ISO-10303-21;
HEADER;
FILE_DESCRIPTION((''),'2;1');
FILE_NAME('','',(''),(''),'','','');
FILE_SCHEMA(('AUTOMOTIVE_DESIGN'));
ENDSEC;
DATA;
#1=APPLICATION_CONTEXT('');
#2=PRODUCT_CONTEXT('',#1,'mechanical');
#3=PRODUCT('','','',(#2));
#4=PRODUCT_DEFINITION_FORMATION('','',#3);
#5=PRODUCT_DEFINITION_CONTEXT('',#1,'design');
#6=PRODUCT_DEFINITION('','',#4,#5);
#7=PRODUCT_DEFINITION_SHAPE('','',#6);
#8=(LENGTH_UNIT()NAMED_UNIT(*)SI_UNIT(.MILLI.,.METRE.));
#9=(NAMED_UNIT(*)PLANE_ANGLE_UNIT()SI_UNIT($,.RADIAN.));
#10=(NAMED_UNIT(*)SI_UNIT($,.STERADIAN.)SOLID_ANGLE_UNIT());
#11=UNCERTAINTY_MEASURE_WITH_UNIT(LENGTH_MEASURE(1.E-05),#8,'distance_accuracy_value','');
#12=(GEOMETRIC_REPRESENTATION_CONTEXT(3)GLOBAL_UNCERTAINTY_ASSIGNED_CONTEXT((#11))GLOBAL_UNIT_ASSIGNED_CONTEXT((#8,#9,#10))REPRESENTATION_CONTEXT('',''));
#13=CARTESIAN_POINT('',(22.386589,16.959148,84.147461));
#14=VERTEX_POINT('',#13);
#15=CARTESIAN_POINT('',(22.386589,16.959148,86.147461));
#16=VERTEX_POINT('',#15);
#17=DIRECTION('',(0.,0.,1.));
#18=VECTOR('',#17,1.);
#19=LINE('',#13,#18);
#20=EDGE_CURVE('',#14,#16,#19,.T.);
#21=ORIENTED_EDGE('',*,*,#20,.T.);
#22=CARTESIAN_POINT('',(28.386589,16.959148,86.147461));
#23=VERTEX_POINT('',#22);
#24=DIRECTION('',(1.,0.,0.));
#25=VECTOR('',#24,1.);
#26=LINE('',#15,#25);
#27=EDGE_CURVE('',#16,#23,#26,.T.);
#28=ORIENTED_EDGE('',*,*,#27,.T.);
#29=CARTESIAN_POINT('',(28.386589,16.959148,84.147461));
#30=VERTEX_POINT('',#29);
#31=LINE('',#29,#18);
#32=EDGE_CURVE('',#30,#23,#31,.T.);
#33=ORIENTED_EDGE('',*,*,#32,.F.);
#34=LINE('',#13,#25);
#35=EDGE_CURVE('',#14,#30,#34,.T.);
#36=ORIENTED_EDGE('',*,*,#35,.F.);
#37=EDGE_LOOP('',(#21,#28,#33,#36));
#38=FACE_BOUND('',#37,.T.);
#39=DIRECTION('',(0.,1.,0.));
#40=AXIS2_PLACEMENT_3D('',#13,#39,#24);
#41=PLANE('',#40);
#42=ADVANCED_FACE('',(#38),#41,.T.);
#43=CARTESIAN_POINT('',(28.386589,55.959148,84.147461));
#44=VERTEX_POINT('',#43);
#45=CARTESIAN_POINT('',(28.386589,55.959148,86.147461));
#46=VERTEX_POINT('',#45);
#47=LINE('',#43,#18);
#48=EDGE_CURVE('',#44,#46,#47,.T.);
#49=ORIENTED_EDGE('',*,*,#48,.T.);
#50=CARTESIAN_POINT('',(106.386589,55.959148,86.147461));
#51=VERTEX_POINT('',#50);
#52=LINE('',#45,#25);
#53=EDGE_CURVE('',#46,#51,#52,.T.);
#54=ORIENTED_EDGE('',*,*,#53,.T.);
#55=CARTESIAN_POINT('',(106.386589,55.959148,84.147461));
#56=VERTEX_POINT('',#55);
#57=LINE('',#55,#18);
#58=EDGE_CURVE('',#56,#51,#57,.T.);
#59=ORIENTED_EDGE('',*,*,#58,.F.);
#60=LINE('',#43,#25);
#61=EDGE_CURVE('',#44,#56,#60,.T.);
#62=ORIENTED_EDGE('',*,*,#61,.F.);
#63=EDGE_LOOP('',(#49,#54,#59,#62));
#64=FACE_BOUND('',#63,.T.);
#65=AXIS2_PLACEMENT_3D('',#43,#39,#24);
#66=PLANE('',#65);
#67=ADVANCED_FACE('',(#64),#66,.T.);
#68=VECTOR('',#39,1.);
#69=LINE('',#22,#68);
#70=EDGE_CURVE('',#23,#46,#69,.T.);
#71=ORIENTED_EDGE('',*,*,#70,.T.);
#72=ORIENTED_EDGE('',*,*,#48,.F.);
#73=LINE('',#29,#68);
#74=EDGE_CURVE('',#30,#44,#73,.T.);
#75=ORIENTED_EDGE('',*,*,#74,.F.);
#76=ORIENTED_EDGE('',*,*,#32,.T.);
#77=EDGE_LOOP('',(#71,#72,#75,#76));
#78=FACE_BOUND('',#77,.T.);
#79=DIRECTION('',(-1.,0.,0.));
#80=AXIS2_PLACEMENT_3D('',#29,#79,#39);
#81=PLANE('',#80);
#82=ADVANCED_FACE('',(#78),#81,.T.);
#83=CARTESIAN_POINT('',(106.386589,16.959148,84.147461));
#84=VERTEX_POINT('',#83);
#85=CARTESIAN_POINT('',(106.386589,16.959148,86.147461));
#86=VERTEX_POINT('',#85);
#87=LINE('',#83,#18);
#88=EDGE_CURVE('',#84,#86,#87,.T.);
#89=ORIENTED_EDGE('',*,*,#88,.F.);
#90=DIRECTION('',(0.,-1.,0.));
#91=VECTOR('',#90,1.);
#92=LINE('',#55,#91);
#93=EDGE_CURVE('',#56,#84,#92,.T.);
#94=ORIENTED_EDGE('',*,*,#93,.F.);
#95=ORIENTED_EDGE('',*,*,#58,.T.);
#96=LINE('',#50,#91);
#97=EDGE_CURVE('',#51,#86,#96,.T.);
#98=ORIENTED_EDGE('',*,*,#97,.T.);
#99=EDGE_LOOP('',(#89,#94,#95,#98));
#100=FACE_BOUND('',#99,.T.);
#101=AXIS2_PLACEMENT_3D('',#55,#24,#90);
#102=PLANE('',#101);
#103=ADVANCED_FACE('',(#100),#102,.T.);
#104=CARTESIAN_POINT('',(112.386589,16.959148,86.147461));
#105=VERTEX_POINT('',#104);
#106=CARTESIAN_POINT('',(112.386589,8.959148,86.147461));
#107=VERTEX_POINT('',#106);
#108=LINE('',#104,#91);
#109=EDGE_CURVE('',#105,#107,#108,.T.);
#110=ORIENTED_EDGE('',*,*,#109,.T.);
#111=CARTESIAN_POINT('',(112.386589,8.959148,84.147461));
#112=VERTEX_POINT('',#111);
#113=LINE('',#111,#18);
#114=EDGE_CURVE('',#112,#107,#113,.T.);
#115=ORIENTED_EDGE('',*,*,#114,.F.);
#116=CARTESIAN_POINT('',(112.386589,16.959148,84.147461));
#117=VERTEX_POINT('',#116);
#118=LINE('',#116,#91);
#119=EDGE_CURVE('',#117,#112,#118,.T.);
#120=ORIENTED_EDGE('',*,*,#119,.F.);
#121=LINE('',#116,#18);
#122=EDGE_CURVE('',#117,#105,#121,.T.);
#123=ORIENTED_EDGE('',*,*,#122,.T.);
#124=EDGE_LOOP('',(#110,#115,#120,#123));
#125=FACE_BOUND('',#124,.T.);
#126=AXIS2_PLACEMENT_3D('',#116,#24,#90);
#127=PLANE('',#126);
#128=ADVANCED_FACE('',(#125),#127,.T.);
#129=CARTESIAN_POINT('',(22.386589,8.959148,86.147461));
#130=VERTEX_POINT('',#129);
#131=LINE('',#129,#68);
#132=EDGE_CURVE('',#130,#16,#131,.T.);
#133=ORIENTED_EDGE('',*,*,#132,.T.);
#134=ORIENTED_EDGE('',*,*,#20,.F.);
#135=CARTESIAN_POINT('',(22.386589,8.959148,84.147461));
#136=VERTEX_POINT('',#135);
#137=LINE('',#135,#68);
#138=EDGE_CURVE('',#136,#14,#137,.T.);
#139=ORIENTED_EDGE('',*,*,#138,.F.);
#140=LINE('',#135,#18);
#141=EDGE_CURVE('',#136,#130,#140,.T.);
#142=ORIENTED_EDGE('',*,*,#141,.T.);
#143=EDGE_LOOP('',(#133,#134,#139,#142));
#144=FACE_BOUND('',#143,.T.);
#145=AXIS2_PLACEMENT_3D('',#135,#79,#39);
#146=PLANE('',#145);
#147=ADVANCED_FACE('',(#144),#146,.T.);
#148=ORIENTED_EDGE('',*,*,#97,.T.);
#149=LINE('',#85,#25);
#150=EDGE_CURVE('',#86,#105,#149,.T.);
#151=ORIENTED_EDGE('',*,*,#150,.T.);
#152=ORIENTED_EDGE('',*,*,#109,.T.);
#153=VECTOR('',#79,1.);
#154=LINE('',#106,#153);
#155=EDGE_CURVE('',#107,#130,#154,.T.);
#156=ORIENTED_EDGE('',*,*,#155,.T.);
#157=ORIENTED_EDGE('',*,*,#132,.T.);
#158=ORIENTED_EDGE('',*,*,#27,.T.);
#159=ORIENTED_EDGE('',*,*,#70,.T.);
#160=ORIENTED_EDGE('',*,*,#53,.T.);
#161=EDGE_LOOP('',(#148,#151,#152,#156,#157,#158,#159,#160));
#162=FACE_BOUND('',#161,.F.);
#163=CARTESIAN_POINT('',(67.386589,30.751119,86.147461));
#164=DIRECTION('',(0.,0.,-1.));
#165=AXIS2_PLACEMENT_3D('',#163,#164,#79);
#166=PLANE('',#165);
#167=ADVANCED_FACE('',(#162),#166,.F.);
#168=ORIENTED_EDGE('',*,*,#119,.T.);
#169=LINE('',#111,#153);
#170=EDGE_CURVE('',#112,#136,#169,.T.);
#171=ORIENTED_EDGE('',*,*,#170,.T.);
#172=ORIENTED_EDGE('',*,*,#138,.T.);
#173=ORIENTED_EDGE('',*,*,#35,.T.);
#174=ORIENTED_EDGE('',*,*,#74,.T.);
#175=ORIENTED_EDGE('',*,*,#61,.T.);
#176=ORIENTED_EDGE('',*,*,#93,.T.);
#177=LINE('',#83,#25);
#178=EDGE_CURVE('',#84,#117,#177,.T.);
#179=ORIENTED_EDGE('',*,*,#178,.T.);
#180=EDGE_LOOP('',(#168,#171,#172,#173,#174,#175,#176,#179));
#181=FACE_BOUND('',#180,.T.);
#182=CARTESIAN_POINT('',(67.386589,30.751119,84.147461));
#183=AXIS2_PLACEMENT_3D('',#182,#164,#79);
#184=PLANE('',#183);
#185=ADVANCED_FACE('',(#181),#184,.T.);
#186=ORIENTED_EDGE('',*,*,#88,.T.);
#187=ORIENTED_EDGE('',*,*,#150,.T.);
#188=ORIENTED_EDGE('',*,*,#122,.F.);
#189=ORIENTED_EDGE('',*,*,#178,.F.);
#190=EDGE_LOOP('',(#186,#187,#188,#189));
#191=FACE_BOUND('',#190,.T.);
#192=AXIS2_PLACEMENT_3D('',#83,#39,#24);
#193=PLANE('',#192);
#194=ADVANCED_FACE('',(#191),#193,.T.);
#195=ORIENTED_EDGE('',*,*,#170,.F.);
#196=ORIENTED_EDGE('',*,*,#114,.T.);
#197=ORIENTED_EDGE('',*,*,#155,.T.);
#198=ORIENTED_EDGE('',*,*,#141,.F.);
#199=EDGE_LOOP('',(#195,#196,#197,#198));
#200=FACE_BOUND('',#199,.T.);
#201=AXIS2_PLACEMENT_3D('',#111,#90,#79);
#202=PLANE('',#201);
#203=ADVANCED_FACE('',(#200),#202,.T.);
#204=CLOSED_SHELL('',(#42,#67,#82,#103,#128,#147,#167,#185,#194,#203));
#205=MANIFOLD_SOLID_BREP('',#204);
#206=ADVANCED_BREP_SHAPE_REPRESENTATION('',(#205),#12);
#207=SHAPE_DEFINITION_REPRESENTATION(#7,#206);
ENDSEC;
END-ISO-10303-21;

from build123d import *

# Parameters (mm, degrees)
PAD_DEPTH = 2


with BuildPart() as part:
    # Sketch (on Face1 of CopyPad007) → Pad (new body)
    with BuildSketch(Plane.XY.offset(82)):
        Polygon((15, 4), (15, 12), (21, 12), (21, 51), (99, 51), (99, 12), (105, 12), (105, 4), align=None)
    extrude(amount=PAD_DEPTH)


with BuildPart() as part_1:
    # Body001 placement: moved
    add(part.part.moved(Location((7.386589, 4.959148, 2.147461))))


solid = part_1.part
